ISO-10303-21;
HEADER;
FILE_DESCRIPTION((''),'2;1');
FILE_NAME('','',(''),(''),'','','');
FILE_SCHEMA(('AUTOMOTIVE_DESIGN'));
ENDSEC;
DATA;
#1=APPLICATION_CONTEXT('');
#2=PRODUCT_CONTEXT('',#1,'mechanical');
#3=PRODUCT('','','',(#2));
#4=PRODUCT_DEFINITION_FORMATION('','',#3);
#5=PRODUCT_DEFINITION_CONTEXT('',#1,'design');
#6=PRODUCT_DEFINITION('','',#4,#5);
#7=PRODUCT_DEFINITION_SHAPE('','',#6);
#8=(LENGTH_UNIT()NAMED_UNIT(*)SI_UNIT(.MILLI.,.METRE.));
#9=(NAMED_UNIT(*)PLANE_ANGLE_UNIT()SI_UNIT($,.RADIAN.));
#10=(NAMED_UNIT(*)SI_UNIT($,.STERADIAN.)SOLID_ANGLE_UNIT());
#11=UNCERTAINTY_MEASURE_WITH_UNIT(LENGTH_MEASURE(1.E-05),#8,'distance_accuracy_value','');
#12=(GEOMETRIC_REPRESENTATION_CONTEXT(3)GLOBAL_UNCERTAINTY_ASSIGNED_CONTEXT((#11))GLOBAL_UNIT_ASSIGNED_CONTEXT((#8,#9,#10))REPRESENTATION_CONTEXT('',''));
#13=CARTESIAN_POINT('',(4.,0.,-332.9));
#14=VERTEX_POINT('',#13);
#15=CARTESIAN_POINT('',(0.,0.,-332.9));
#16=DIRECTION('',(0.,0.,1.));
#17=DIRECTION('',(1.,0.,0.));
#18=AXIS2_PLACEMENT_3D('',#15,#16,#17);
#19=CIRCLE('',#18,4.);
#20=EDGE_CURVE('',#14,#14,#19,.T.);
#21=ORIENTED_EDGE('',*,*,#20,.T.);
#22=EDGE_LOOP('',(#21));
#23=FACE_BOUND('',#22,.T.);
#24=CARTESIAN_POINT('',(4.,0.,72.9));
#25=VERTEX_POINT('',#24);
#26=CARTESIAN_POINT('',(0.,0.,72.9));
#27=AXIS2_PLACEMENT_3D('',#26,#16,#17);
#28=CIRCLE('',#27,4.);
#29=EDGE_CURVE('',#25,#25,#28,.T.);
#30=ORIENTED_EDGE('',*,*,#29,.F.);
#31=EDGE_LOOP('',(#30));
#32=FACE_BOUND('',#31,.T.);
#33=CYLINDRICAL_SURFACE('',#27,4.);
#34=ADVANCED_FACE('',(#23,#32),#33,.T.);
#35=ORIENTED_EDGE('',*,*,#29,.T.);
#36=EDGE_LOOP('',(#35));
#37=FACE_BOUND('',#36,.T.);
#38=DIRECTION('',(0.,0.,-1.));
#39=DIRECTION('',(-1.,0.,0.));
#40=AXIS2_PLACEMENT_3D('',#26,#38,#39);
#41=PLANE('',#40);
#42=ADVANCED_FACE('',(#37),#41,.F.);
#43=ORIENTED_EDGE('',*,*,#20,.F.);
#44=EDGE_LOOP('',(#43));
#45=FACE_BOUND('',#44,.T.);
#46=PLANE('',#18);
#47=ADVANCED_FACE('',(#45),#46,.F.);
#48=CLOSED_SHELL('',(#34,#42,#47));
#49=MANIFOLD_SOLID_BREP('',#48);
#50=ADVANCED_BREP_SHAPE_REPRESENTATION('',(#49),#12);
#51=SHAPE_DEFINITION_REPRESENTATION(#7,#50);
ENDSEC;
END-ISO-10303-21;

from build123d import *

# Parameters (mm, degrees)
SKETCH2_W = 405.8
SKETCH2_H = 4


with BuildPart() as part:
    # Sketch2 → Revolve1 (revolve)
    with BuildSketch(Plane(origin=(0, 0, 0), x_dir=(0, 0, -1), z_dir=(1, 0, 0))):
        with Locations((130, 2)):
            Rectangle(SKETCH2_W, SKETCH2_H)
    revolve(axis=Axis((0, 0, 72.9), (0, 0, -1)))


solid = part.part
